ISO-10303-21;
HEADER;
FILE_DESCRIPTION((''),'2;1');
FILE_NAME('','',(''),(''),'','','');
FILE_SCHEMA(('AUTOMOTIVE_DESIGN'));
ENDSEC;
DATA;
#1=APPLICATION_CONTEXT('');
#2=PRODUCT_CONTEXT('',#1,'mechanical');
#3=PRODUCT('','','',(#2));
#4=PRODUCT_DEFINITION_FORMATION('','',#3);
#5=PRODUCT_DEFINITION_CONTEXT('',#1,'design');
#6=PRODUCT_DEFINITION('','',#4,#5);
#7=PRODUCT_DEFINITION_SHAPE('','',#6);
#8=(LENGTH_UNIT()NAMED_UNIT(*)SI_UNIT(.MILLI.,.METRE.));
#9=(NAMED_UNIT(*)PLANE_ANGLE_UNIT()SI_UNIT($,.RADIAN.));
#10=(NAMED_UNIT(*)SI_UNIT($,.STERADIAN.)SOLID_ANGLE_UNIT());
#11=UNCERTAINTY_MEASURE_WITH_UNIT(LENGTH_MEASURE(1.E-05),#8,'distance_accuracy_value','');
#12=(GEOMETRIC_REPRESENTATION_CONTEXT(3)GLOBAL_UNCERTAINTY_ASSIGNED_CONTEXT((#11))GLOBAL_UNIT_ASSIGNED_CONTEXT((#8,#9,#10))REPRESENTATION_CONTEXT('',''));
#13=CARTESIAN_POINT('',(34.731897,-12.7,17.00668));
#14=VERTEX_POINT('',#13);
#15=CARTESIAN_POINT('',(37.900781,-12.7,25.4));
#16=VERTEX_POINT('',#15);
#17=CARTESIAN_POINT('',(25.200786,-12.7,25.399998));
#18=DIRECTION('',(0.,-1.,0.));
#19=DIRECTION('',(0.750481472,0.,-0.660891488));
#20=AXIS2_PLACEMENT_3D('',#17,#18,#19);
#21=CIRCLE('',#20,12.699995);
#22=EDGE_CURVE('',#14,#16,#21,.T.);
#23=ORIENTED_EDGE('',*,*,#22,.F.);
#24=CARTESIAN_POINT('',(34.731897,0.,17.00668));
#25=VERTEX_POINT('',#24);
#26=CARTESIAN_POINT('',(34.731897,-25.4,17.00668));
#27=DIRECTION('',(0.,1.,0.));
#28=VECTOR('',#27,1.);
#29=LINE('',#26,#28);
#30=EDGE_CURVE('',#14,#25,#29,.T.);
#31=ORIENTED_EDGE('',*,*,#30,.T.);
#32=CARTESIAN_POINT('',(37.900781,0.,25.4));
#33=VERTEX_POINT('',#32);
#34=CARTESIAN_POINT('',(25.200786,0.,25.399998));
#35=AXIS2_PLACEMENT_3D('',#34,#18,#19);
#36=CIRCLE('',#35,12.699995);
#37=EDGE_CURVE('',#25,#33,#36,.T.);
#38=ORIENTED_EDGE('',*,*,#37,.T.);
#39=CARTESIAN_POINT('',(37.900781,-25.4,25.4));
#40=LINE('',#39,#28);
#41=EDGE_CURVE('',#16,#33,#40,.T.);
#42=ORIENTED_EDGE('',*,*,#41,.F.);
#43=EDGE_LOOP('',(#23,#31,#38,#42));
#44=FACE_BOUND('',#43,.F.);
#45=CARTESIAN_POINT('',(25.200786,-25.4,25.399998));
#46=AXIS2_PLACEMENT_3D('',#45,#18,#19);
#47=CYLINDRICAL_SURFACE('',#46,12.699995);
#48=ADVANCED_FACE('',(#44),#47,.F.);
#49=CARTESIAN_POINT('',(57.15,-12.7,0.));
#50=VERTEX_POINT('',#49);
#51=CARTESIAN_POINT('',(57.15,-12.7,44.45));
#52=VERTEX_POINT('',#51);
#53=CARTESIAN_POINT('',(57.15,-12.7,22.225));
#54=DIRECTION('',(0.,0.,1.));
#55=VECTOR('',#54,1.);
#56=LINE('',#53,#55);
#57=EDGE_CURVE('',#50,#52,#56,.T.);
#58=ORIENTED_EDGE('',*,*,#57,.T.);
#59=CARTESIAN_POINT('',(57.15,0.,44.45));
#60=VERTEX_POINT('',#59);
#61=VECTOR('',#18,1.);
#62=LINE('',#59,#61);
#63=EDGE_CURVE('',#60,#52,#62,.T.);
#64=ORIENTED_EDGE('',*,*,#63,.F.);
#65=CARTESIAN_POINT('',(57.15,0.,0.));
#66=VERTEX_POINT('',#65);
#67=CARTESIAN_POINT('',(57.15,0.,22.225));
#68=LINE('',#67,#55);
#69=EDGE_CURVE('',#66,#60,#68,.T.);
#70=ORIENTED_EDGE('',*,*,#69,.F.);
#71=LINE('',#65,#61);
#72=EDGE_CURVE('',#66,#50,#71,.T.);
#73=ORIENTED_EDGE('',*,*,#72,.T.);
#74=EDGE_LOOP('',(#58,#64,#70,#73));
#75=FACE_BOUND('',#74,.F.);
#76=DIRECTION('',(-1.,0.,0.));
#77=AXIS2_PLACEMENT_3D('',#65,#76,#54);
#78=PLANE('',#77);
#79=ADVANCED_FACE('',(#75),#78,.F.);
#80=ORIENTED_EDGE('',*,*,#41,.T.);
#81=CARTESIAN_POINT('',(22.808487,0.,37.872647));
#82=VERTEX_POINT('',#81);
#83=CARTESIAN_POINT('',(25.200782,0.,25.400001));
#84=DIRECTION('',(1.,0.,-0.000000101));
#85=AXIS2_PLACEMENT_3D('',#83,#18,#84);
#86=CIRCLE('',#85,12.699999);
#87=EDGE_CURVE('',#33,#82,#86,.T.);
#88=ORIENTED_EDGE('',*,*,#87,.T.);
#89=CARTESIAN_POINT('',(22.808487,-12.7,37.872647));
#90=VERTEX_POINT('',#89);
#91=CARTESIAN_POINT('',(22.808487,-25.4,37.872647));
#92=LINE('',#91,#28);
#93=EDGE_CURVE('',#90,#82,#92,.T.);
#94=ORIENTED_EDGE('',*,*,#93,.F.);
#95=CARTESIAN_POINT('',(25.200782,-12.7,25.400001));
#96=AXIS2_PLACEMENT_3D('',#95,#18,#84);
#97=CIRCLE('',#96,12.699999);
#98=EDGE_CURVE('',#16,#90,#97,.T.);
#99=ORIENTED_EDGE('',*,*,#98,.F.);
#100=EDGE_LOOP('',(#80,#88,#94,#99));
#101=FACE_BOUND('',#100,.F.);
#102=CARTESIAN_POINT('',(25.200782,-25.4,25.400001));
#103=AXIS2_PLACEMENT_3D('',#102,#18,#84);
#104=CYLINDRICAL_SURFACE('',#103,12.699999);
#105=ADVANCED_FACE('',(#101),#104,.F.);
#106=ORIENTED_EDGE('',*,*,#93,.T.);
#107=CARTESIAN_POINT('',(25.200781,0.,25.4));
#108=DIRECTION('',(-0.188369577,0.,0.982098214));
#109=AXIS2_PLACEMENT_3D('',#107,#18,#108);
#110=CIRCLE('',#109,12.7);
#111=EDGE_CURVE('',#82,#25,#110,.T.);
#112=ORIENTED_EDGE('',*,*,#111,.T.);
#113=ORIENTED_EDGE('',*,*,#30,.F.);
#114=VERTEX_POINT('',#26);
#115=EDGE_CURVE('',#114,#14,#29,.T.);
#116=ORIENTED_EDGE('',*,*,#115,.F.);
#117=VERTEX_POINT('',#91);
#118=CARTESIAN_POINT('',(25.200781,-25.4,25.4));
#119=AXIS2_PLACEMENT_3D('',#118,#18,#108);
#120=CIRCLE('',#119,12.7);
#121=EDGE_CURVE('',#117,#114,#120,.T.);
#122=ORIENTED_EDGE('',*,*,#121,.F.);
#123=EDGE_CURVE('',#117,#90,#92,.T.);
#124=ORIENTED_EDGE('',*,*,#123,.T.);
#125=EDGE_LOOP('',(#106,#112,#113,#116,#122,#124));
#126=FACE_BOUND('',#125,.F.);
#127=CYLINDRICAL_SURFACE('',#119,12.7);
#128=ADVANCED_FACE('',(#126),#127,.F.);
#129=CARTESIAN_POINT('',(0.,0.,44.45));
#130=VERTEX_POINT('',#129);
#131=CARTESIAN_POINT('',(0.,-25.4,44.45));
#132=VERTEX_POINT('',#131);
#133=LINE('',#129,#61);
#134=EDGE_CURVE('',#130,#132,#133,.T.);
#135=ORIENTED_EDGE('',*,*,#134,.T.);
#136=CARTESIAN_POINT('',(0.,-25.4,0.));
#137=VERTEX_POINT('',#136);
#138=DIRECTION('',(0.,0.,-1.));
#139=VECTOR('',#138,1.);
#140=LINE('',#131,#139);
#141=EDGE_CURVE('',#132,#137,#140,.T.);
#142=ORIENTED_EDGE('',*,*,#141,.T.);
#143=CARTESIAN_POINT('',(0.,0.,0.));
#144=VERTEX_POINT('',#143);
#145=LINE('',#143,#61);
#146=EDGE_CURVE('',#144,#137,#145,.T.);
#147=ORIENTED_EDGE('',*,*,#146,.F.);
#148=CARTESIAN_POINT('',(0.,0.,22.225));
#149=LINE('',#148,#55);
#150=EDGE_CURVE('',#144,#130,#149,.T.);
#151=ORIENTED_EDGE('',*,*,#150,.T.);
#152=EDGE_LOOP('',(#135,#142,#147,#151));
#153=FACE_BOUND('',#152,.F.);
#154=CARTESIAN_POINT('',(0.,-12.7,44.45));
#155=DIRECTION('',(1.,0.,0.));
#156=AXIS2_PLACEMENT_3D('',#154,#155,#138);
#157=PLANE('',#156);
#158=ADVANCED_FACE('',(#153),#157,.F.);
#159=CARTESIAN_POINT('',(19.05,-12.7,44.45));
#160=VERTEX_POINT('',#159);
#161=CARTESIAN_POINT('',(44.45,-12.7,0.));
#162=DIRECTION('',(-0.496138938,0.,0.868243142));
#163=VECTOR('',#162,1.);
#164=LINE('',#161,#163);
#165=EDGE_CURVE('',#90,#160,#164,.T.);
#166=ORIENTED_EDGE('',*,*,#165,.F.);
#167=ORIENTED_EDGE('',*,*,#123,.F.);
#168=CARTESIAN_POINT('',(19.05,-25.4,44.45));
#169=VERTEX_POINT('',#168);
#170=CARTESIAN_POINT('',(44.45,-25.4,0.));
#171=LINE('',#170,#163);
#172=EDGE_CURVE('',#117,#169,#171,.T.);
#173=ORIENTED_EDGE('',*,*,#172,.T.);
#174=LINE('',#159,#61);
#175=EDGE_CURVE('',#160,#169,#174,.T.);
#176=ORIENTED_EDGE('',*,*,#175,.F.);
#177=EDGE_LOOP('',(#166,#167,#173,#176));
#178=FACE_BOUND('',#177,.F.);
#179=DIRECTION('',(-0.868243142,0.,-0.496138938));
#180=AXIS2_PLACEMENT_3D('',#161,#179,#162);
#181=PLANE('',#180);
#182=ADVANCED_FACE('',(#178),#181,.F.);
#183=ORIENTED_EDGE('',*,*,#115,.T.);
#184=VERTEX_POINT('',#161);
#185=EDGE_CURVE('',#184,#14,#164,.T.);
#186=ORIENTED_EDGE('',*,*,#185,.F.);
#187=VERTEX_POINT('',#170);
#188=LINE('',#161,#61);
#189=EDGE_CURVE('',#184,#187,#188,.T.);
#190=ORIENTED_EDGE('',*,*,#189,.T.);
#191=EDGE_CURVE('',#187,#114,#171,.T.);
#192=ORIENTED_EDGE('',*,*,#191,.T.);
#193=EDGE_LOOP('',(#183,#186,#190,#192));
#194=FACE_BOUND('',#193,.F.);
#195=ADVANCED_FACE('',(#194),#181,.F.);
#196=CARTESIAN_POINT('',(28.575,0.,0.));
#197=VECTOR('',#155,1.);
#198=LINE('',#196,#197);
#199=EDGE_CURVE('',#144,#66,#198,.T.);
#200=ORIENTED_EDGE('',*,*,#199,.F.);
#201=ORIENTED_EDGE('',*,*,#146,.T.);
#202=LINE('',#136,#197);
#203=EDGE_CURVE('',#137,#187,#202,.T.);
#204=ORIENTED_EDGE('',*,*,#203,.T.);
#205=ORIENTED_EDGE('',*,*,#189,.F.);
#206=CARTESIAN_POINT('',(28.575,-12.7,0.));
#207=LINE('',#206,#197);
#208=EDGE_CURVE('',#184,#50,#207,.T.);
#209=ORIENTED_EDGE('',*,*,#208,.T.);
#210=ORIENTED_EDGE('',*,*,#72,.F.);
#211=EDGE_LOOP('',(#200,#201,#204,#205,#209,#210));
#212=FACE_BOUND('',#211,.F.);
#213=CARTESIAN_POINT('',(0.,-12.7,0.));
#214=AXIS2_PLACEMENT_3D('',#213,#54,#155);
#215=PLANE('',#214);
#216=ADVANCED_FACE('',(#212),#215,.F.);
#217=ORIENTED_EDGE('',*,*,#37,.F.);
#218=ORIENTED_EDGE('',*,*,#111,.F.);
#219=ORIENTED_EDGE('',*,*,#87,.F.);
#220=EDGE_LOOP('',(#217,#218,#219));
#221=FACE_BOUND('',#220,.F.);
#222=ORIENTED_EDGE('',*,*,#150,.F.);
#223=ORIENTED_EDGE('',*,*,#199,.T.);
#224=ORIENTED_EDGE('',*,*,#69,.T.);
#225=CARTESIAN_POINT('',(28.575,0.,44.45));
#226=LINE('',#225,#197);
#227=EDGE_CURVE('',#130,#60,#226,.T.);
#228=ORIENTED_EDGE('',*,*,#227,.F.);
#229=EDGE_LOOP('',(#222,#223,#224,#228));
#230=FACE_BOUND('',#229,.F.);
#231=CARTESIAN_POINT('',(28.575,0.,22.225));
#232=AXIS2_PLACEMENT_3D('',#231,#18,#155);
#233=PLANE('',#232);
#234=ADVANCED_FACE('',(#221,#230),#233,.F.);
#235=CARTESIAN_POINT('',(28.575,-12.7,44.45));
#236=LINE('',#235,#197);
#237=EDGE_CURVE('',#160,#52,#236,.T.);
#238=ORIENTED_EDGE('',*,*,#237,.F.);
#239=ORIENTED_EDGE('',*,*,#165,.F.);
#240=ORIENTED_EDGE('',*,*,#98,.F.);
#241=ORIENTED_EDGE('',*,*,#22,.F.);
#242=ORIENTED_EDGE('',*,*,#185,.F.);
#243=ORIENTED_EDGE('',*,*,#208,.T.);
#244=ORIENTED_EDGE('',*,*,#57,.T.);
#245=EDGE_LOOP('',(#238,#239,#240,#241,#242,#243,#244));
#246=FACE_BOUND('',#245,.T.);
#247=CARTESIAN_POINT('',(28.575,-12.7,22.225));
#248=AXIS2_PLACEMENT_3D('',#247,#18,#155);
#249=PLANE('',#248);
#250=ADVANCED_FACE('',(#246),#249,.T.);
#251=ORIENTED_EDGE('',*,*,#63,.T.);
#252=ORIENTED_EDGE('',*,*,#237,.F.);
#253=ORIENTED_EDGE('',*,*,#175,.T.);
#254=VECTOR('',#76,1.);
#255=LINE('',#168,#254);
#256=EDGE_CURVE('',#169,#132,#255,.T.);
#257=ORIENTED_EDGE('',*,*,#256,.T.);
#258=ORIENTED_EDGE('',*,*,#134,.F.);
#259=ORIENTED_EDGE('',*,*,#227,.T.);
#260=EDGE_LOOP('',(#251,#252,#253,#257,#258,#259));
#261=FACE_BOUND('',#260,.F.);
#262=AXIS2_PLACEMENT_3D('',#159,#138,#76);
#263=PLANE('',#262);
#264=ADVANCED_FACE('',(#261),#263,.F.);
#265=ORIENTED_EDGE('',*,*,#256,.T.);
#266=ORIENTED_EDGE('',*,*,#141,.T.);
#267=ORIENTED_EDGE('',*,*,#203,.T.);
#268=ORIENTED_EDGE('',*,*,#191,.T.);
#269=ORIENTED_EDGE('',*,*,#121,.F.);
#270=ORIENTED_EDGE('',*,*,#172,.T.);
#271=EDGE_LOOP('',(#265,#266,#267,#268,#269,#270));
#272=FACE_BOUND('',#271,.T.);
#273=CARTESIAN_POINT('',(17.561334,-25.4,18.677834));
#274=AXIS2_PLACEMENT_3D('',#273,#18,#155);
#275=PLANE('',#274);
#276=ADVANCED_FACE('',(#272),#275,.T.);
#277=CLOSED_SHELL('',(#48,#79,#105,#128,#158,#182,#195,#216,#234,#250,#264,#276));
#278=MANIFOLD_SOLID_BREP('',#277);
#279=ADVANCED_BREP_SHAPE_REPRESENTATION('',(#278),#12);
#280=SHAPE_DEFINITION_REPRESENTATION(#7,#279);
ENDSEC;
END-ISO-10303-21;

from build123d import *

# Parameters (mm, degrees)
F0_W     = 57.15
F0_H     = 44.45
F1_DEPTH = 12.7
F3_DEPTH = 12.7
F5_DEPTH = 25.4


with BuildPart() as f1:
    # F0 (on Front) → F1 (new body)
    with BuildSketch(Plane.XZ):
        with Locations((28.575, 22.225)):
            Rectangle(F0_W, F0_H)
    extrude(amount=F1_DEPTH)

    # F2 (on face) → F3 (join)
    with BuildSketch(Plane.XZ.offset(12.7)):
        Polygon((19.05, 44.45), (0, 44.45), (0, 0), (44.45, 0), align=None)
    extrude(amount=F3_DEPTH)

    # F4 (on face) → F5 (cut)
    with BuildSketch(Plane.XZ.offset(25.4)):
        with BuildLine():
            ThreePointArc((34.731897, 17.00668), (37.082178, 20.914199), (37.900781, 25.4))
            ThreePointArc((37.900781, 25.4), (33.291142, 35.18959), (22.808487, 37.872647))
            Line((22.808487, 37.872647), (34.731897, 17.00668))
        make_face()
        with BuildLine():
            Line((34.731897, 17.00668), (22.808487, 37.872647))
            ThreePointArc((22.808487, 37.872647), (14.174093, 19.099035), (34.731897, 17.00668))
        make_face()
    extrude(amount=-F5_DEPTH, mode=Mode.SUBTRACT)


solid = f1.part
